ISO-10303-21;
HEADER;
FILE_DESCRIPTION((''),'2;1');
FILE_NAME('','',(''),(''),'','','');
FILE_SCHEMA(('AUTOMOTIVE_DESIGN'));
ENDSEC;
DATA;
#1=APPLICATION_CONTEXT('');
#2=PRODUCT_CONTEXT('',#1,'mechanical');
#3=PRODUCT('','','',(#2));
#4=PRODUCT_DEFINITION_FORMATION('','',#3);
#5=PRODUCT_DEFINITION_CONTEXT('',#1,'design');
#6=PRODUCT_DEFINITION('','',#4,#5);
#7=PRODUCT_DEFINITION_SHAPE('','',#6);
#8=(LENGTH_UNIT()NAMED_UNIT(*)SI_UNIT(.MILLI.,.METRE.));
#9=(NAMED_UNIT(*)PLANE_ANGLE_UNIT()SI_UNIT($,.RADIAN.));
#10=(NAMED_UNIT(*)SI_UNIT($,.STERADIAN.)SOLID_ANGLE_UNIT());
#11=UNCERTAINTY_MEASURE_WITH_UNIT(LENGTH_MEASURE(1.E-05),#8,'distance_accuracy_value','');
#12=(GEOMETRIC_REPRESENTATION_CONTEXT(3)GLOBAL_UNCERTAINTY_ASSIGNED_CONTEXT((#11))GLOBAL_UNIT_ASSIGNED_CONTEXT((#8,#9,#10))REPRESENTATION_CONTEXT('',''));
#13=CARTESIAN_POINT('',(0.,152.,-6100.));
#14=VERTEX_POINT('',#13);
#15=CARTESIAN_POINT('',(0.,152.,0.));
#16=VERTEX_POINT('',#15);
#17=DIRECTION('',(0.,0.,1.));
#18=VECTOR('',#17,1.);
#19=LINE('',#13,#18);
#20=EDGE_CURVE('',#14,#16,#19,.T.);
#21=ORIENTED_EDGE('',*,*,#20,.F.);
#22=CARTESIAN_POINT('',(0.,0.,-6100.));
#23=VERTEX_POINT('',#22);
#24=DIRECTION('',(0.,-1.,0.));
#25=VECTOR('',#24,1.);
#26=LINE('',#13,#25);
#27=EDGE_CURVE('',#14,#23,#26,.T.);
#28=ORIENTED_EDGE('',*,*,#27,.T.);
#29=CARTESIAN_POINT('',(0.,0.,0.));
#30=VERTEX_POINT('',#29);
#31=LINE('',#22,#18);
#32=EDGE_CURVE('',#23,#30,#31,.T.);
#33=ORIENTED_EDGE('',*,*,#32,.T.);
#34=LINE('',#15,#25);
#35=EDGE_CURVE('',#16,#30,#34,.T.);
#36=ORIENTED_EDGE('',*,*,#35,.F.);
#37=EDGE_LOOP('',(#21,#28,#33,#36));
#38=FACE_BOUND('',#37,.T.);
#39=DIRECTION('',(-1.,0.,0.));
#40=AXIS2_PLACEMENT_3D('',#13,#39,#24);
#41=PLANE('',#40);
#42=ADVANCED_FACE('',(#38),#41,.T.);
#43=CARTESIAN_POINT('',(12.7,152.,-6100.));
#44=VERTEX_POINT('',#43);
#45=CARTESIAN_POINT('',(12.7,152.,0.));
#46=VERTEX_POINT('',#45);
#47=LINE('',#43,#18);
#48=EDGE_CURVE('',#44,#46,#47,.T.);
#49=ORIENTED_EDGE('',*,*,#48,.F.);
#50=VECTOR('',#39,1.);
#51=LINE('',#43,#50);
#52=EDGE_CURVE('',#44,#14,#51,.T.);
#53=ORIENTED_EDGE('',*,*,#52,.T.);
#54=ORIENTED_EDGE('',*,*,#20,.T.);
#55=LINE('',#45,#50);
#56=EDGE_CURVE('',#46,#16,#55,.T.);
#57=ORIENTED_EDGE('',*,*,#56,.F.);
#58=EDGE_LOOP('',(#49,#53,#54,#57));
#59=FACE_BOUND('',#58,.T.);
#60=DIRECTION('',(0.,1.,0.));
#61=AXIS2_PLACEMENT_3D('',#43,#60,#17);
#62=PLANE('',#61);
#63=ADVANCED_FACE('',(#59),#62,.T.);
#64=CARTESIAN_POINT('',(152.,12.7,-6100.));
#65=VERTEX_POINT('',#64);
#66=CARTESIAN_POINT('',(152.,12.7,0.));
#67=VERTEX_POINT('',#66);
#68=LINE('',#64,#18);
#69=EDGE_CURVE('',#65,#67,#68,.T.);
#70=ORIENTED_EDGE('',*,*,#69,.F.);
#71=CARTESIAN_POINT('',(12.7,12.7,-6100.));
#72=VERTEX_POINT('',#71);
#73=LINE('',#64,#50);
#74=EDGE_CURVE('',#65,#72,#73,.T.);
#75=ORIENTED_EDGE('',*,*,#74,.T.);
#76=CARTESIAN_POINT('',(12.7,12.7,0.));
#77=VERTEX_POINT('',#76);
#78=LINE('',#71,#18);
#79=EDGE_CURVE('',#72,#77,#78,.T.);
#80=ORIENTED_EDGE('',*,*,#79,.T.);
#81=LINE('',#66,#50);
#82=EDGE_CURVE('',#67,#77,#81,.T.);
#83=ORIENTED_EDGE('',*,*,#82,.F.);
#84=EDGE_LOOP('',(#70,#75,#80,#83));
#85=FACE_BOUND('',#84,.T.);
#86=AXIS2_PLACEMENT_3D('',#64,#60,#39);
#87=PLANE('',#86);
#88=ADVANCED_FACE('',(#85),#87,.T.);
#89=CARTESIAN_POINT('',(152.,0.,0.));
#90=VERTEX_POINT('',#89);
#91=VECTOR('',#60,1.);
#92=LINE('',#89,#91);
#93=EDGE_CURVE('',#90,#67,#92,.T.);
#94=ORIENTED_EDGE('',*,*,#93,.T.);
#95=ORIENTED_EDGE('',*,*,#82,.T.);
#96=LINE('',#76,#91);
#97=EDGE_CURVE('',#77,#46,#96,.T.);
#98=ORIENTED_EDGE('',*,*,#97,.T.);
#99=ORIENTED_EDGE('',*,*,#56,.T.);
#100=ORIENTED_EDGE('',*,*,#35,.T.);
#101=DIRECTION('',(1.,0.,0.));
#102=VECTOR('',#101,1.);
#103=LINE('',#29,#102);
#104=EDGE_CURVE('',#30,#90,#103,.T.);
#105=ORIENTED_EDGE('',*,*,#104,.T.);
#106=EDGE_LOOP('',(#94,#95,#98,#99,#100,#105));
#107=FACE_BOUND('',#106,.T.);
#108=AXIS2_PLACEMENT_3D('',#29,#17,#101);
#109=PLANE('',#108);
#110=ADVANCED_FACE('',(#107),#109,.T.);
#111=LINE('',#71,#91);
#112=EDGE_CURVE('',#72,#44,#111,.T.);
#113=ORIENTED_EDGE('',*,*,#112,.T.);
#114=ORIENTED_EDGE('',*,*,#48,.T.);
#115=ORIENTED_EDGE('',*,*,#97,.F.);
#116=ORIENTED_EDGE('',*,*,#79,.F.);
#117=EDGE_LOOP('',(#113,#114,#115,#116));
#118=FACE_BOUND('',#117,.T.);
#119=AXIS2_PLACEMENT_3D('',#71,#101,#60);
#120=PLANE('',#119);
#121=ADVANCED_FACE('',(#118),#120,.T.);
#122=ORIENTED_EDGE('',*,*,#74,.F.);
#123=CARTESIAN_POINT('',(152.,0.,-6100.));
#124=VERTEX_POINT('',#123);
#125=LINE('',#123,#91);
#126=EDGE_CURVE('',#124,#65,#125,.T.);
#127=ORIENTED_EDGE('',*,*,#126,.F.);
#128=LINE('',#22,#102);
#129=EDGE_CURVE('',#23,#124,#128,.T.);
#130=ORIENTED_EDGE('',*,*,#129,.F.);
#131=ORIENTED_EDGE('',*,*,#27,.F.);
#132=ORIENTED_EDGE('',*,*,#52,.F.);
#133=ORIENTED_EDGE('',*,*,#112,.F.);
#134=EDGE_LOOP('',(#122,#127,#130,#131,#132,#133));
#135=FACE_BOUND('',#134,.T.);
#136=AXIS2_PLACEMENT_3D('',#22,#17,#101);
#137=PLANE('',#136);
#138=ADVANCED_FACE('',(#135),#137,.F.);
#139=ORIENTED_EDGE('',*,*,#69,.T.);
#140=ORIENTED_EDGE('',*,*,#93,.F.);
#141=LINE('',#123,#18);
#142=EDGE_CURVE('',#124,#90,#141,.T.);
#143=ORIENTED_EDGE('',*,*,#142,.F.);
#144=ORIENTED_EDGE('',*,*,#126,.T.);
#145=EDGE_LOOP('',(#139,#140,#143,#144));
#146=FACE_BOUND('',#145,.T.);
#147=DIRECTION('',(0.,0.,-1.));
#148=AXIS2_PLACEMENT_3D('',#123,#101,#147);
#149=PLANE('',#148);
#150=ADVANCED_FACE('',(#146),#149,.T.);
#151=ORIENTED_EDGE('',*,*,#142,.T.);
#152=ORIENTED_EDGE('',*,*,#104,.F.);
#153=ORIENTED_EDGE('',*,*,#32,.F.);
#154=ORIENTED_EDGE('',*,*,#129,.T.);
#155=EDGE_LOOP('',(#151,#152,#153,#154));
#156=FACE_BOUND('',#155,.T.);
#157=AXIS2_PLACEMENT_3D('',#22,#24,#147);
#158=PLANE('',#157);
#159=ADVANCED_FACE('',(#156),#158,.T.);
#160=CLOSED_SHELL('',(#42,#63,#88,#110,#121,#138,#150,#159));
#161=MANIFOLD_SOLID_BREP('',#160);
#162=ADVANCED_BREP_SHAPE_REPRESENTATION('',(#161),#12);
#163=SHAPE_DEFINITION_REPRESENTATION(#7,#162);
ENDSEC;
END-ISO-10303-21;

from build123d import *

# Parameters (mm, degrees)
SALIENTE_EXTRUIR1_DEPTH = 6100


with BuildPart() as part:
    # Croquis1 → Saliente-Extruir1 (new body)
    with BuildSketch(Plane.XY):
        Polygon((0, 152), (0, 0), (152, 0), (152, 12.7), (12.7, 12.7), (12.7, 152), align=None)
    extrude(amount=-SALIENTE_EXTRUIR1_DEPTH)


solid = part.part
